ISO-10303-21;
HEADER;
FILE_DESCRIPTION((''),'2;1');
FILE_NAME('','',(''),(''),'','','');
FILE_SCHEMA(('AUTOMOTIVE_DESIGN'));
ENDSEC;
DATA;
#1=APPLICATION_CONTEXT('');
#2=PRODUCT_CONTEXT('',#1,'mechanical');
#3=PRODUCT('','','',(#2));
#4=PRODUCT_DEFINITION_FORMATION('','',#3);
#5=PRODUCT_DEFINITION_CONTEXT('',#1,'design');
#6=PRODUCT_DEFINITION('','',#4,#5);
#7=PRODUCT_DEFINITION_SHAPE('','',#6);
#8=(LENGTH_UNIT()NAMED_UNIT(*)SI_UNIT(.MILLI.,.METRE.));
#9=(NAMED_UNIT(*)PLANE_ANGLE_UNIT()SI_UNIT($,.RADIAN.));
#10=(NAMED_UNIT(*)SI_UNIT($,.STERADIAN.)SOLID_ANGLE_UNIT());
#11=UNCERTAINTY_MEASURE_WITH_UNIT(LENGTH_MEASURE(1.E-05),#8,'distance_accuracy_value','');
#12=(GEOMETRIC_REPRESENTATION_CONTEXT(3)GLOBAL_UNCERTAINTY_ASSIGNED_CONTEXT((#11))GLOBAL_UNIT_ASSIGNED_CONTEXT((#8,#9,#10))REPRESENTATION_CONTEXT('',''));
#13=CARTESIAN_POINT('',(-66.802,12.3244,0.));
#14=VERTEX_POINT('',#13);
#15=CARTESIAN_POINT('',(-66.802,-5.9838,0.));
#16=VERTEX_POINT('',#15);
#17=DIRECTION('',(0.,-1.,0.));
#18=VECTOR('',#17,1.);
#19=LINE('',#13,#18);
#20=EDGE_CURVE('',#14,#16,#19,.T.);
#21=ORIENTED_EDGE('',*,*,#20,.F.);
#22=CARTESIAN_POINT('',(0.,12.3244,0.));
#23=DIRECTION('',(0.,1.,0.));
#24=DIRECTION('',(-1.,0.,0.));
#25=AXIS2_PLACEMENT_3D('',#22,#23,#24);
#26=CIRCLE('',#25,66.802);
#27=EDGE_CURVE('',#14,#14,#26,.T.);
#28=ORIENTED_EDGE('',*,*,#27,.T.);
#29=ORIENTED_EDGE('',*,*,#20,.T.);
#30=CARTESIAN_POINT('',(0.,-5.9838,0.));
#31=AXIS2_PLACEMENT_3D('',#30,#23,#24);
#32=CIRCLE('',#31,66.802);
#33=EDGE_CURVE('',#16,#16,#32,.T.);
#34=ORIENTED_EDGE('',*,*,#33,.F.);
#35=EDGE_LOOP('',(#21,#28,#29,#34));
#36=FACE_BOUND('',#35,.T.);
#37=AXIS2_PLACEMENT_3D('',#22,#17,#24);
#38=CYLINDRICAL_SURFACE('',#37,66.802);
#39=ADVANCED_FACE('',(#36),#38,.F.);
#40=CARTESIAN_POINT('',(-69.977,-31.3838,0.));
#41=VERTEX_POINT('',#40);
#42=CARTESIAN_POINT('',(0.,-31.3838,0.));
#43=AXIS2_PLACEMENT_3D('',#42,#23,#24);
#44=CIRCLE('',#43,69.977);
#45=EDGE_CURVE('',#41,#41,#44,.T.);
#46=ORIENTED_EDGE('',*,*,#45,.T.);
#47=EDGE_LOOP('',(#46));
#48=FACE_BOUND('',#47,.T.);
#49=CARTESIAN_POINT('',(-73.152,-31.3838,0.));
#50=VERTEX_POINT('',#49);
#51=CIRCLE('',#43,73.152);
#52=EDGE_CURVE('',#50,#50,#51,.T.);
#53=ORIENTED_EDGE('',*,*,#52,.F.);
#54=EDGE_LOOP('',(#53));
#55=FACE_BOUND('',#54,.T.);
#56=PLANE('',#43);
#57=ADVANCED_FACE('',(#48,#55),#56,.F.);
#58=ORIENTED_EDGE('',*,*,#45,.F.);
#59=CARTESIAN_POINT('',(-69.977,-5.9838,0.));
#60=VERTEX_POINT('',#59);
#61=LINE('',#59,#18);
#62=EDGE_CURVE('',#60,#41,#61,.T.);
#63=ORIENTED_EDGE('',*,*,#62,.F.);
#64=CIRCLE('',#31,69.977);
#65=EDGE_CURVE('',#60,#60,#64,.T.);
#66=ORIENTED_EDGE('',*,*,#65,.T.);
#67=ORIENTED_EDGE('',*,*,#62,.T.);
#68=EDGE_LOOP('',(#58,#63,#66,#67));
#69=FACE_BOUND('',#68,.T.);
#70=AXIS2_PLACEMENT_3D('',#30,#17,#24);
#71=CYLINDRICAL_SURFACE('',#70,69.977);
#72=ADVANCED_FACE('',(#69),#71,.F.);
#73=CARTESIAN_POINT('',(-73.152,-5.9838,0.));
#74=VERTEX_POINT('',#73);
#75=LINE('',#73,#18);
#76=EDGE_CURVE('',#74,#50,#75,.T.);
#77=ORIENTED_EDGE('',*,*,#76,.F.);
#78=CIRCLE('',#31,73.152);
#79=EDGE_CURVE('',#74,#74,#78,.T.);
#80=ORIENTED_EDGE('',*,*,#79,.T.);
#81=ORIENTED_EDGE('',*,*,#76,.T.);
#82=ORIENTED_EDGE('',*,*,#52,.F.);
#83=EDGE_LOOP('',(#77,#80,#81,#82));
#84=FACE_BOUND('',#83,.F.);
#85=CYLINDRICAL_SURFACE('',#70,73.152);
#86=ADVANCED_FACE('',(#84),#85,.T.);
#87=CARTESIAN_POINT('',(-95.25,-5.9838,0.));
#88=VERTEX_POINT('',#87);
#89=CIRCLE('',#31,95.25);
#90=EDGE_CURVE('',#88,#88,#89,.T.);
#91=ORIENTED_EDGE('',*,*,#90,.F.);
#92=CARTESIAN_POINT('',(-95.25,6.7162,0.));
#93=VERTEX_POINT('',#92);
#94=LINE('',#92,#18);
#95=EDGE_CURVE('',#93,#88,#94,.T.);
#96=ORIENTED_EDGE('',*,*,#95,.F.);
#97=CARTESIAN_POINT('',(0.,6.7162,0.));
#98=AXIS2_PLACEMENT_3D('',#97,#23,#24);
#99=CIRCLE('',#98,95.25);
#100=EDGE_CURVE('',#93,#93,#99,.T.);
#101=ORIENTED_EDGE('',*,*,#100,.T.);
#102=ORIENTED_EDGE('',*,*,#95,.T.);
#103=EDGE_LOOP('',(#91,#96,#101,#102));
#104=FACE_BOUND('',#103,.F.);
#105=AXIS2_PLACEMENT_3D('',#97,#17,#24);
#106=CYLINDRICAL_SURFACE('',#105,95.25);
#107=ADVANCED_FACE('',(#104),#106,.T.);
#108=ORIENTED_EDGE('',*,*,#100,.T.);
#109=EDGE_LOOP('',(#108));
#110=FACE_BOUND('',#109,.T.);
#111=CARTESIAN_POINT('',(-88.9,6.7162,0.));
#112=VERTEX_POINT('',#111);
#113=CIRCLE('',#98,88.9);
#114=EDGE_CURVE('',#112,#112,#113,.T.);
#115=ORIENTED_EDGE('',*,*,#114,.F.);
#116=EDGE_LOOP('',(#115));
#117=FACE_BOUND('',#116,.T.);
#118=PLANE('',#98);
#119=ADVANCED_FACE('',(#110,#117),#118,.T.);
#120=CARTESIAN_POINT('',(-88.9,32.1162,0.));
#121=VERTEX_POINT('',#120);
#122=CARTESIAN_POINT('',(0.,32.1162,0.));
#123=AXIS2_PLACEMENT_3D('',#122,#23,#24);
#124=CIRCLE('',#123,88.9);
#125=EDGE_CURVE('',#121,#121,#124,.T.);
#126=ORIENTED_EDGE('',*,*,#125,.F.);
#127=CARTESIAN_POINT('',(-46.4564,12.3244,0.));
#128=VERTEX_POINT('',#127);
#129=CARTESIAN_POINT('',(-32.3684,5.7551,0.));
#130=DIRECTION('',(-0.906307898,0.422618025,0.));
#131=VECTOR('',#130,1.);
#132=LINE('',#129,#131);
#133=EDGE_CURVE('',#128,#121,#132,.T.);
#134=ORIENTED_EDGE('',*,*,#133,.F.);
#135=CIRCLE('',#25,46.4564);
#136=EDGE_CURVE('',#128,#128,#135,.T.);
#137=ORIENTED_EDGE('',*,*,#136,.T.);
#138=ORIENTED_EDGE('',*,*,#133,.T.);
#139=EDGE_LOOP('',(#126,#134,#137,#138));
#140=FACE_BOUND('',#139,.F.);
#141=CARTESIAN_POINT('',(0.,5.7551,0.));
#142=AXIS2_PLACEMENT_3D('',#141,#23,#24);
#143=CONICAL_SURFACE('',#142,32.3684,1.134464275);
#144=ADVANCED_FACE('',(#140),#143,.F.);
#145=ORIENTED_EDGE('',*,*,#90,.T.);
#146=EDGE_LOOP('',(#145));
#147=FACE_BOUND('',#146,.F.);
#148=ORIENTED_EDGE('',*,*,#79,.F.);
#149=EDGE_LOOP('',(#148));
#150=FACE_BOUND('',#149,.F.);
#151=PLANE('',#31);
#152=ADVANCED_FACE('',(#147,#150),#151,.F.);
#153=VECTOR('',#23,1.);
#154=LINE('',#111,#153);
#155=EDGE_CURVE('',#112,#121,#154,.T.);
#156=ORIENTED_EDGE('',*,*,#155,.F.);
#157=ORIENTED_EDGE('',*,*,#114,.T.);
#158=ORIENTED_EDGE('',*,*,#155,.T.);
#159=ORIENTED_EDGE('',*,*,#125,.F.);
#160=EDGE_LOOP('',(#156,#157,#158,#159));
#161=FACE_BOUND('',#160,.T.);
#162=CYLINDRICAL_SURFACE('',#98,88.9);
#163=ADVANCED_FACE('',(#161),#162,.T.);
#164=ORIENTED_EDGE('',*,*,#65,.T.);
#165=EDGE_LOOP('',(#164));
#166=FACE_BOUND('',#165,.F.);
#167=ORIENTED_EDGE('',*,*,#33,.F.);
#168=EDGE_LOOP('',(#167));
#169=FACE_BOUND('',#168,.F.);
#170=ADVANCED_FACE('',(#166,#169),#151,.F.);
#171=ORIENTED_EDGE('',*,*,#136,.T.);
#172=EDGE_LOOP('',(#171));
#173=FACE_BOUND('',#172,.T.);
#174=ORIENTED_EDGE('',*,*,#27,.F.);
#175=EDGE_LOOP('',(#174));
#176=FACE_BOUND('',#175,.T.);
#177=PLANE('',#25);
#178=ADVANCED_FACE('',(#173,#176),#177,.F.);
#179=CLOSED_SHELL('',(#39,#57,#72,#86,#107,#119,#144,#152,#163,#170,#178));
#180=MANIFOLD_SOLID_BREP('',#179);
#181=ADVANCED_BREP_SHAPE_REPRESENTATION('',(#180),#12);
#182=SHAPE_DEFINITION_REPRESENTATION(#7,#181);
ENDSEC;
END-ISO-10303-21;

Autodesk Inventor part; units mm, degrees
ref_plane "YZ Plane" through (0, 0, 0) normal (1, 0, 0) x (0, 1, 0)
ref_plane "XZ Plane" through (0, 0, 0) normal (0, 1, 0) x (-1, 0, 0)
ref_plane "XY Plane" through (0, 0, 0) normal (0, 0, 1) x (1, 0, 0)
sketch "Sketch1" plane through (0, 0, 0) normal (0, 0, 1) x (1, 0, 0)
  arc A0 (-28.9184, -1.6435) -> (-32.3684, 5.7551) centre (-35.052, 0) ccw
  line L0 (-28.702, 47.5942) -> (-28.702, -124.4009) construction
  line L1 (-32.3684, 5.7551) -> (-88.9, 32.1162)
  line L2 (-28.9184, -1.6435) -> (-86.2301, -215.5338)
  line L3 (-46.4564, 12.3244) -> (-66.802, 12.3244)
  line L4 (-60.4508, -95.6256) -> (-54.1008, -95.6256)
  line L5 (-73.152, -5.9838) -> (-73.152, -131.1779)
  line L6 (-73.152, -131.1779) -> (-63.627, -131.1779)
  line L7 (58.5667, 38.1) -> (-194.088, 38.1) construction
  line L8 (-95.25, 6.7162) -> (-95.25, -5.9838)
  line L9 (-95.25, 6.7162) -> (-88.9, 6.7162)
  line L10 (-88.9, 6.7162) -> (-88.9, 32.1162)
  line L11 (-95.25, -5.9838) -> (-73.152, -5.9838)
  line L12 (-95.25, -5.9838) -> (-95.25, -18.6838)
  line L13 (-95.25, -18.6838) -> (-89.3064, -18.6838)
  line L14 (-89.3064, -18.6838) -> (-89.3064, -24.6274)
  line L15 (-89.3064, -24.6274) -> (-95.25, -24.6274)
  line L16 (-95.25, -24.6274) -> (-95.25, -82.1838)
  line L17 (-95.25, -82.1838) -> (-82.55, -82.1838)
  line L18 (-89.3064, -18.6838) -> (-82.55, -18.6838)
  line L19 (-82.55, -18.6838) -> (-82.55, -82.1838)
  line L20 (-95.25, -82.1838) -> (-101.6, -82.1838)
  line L21 (-66.802, 12.3244) -> (-66.802, -31.3838)
  line L22 (-66.802, -31.3838) -> (-60.4508, -95.6256)
  line L23 (-82.55, -178.1009) -> (-76.2, -178.1009)
  line L24 (-82.55, -82.1838) -> (-82.55, -178.1009)
  line L25 (-86.2301, -215.5338) -> (-89.4051, -215.5338)
  line L26 (-89.4051, -215.5338) -> (-101.6, -82.1838)
  line L27 (-69.977, -5.9838) -> (-69.977, -31.3838)
  line L28 (-69.977, -31.3838) -> (-73.152, -31.3838)
  line L29 (-69.977, -5.9838) -> (-66.802, -5.9838)
  line L30 (-101.6, -82.1838) -> (-28.702, -82.1838) construction
  line L31 (0, -210.5351) -> (0, 86.485) construction
  point P0 (0, 0)
  dimension "d0" = 12.7
  dimension "d1" = 28.702
  dimension "d3" = 15
  dimension "d4" = 6.35
  dimension "d9" = 38.1
  dimension "d11" = 12.7
  dimension "d13" = 95.25
  dimension "d14" = 6.35
  dimension "d15" = 25.4
  dimension "d17" = 12.7
  dimension "d18" = 5.9436
  dimension "d19" = 5.9436
  dimension "d20" = 12.7
  dimension "d22" = 107.95
  dimension "d23" = 63.5
  dimension "d25" = 25.4
  dimension "d26" = 6.35
  dimension "d27" = 133.35
  dimension "d28" = 3.175
  dimension "d29" = 101.6
  dimension "d30" = 6.35
  dimension "d31" = 25
  dimension "d32" = 44.45
  dimension "d33" = 3.175
  dimension "d34" = 20.3456
  dimension "d35" = 9.525
revolve "Revolution1" add sketch "Sketch1" angle 360 about axis through (0, -210.5351, 0) along (0, 1, 0) contours L3 L21 L29 L27 L28 L5 L11 L8 L9 L10 L1
properties part number "phenolic_cap" material "Phenolic Resin"
